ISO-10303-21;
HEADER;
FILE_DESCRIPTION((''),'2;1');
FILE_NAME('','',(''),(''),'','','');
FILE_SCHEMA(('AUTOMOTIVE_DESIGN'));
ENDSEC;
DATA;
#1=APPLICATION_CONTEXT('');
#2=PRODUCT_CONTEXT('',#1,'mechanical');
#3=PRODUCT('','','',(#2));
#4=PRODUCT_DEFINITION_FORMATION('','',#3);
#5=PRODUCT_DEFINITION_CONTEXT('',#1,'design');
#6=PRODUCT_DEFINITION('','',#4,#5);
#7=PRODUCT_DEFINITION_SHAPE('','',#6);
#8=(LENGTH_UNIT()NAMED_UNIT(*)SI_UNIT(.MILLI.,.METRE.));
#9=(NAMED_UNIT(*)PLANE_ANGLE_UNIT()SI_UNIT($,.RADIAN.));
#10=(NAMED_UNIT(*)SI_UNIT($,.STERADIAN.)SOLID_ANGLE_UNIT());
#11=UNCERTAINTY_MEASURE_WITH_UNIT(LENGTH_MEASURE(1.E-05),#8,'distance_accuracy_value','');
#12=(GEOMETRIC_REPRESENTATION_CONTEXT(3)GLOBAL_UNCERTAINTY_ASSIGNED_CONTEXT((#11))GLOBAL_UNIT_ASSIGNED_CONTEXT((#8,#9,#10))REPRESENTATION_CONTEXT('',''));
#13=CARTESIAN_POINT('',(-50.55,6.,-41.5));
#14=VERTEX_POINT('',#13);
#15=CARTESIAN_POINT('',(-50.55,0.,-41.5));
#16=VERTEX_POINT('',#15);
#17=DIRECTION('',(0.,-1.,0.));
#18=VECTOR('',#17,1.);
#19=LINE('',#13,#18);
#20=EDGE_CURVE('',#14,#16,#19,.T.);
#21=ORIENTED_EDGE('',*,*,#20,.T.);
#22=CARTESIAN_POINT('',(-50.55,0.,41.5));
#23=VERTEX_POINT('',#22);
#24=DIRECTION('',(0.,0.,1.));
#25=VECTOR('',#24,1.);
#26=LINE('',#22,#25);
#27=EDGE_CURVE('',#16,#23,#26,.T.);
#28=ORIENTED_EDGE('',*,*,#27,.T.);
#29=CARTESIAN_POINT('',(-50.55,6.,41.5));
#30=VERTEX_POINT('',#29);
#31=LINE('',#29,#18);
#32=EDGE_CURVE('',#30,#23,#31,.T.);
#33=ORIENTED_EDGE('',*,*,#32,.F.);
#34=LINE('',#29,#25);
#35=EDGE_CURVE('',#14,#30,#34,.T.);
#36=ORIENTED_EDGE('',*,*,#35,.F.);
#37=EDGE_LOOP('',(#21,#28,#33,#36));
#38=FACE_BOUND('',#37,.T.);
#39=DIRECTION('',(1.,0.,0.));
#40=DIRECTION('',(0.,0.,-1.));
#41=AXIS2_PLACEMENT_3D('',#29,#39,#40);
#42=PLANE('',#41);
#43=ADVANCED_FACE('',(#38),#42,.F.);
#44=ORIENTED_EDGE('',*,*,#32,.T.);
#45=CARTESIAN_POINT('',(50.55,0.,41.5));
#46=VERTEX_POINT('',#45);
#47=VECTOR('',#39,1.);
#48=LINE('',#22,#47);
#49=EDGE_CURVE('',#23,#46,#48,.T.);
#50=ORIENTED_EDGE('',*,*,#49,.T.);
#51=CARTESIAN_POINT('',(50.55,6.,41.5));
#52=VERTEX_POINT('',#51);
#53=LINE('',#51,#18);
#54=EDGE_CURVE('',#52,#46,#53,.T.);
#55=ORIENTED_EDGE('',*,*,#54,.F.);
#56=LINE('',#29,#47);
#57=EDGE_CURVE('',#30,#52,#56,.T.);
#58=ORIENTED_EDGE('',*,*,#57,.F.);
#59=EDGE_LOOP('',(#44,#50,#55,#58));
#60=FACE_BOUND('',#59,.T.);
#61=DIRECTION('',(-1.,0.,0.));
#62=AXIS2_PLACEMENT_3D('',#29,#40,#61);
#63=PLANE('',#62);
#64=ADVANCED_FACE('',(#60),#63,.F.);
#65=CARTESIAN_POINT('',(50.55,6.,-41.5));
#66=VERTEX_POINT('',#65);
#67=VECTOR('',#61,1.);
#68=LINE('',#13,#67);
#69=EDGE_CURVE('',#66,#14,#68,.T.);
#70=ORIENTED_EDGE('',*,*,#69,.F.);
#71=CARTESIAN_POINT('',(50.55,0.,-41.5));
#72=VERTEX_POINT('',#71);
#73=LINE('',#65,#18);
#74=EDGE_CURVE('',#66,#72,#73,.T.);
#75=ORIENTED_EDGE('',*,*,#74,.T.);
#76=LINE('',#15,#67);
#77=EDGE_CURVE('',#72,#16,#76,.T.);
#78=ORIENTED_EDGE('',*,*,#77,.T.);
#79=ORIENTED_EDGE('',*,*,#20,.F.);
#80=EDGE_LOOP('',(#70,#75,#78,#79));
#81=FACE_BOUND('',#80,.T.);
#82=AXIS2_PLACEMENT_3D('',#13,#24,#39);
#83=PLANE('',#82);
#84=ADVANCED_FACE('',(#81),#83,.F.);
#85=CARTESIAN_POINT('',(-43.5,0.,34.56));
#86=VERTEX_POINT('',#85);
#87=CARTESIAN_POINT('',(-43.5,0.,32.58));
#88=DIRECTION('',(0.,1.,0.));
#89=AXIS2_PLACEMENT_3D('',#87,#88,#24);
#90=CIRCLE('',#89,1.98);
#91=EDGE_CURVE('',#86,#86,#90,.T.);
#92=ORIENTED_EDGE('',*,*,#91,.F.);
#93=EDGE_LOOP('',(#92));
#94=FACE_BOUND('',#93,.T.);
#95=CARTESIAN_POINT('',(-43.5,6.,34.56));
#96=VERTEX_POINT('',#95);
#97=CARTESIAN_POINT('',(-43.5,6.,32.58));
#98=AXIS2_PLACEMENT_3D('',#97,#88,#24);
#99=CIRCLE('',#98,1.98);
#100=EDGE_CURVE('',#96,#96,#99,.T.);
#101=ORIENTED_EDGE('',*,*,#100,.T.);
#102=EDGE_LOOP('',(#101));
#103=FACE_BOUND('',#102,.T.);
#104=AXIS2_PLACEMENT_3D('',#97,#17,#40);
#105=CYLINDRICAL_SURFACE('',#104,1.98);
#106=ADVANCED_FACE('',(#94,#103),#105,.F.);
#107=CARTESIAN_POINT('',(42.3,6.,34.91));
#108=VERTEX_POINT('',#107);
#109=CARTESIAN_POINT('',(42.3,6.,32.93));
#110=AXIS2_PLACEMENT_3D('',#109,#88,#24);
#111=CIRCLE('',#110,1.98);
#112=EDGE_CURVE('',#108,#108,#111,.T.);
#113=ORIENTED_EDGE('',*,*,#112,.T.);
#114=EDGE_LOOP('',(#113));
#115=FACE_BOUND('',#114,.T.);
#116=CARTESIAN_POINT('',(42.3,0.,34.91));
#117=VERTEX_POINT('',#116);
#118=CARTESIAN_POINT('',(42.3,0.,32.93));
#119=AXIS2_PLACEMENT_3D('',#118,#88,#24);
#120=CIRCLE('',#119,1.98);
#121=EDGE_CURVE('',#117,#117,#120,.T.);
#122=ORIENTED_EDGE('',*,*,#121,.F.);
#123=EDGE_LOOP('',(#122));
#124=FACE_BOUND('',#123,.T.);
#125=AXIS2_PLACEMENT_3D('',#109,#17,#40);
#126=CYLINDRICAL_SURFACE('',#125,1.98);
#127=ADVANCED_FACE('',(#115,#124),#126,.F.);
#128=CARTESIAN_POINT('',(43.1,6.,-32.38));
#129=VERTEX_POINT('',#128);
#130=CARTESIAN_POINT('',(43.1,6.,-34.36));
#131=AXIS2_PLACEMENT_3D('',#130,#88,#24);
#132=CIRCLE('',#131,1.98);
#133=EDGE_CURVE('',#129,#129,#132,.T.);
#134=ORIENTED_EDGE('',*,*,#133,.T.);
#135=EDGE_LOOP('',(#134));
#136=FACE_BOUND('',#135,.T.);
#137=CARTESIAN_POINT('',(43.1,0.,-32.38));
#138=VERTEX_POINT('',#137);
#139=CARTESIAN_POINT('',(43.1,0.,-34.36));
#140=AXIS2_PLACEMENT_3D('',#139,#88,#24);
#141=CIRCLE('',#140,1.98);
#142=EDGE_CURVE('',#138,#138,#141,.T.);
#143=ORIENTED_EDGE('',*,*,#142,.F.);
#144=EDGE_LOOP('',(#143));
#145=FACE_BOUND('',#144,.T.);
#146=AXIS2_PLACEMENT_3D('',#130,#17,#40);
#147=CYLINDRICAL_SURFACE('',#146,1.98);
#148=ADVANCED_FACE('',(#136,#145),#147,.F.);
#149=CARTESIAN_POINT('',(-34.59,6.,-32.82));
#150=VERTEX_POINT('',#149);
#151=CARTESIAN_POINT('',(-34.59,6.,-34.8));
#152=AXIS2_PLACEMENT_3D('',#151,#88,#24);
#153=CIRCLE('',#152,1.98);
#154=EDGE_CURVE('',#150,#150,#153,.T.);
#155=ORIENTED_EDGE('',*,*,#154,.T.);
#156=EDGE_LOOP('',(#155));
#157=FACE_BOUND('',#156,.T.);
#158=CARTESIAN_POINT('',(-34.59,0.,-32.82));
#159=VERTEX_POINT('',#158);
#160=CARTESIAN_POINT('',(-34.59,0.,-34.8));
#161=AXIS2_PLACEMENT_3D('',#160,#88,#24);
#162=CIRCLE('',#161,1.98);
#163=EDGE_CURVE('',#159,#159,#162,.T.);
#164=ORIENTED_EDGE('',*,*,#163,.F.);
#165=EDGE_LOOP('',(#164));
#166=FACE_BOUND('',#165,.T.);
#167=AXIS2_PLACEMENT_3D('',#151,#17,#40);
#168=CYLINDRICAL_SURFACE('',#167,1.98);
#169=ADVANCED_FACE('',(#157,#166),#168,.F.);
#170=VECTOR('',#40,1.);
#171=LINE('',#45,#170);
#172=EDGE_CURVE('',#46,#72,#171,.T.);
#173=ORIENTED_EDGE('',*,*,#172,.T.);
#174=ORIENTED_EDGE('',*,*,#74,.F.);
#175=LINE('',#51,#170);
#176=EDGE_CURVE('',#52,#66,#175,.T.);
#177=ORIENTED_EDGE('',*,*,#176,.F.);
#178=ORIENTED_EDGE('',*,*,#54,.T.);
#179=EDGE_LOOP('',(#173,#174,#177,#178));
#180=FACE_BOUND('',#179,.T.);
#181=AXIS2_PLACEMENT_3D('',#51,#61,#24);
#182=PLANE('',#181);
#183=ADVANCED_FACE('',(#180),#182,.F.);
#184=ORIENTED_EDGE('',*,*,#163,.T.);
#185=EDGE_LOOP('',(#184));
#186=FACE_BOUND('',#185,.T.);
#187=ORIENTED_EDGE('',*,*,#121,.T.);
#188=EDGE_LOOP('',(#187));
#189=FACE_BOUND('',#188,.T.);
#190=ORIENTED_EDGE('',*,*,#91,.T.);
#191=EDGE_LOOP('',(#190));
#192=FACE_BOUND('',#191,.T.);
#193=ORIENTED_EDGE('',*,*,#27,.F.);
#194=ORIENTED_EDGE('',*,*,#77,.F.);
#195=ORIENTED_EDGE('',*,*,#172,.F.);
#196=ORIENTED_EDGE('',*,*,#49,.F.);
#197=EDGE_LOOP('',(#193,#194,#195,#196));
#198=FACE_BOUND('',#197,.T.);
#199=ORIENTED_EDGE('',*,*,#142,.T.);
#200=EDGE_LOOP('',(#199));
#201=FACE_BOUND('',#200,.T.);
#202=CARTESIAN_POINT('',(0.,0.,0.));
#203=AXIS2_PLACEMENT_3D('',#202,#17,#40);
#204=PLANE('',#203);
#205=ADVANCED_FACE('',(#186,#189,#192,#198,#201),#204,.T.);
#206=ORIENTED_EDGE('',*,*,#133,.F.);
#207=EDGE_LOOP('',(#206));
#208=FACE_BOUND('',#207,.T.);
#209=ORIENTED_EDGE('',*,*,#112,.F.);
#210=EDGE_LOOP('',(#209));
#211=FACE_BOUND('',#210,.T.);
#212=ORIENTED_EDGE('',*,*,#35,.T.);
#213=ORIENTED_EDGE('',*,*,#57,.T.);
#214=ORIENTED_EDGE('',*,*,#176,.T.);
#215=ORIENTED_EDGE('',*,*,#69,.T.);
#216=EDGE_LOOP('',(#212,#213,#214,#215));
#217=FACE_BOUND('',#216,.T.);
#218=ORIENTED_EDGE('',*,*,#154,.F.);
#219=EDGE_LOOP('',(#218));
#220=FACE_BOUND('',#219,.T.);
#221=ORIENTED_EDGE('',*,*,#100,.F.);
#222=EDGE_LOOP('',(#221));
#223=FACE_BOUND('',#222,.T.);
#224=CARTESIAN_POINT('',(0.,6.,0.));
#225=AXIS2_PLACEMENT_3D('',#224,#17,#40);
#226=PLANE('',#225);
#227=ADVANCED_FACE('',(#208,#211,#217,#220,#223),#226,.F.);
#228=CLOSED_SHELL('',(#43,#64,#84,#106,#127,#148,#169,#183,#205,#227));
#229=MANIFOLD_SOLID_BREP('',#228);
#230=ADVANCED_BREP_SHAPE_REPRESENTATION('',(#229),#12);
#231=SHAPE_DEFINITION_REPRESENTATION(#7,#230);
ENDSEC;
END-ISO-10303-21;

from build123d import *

# Parameters (mm, degrees)
SKETCH1_W           = 101.1
SKETCH1_H           = 83
SKETCH1_R           = 1.98
BOSS_EXTRUDE1_DEPTH = 6


with BuildPart() as part:
    # Sketch1 → Boss-Extrude1 (new body)
    with BuildSketch(Plane(origin=(0, 0, 0), x_dir=(1, 0, 0), z_dir=(0, 1, 0))):
        Rectangle(SKETCH1_W, SKETCH1_H)
        with Locations(Location((43.1, 34.36, 0), (0, 0, 270))):
            Circle(SKETCH1_R, mode=Mode.SUBTRACT)
        with Locations(Location((-34.59, 34.8, 0), (0, 0, 270))):
            Circle(SKETCH1_R, mode=Mode.SUBTRACT)
        with Locations(Location((42.3, -32.93, 0), (0, 0, 270))):
            Circle(SKETCH1_R, mode=Mode.SUBTRACT)
        with Locations(Location((-43.5, -32.58, 0), (0, 0, 270))):
            Circle(SKETCH1_R, mode=Mode.SUBTRACT)
    extrude(amount=BOSS_EXTRUDE1_DEPTH)


solid = part.part
